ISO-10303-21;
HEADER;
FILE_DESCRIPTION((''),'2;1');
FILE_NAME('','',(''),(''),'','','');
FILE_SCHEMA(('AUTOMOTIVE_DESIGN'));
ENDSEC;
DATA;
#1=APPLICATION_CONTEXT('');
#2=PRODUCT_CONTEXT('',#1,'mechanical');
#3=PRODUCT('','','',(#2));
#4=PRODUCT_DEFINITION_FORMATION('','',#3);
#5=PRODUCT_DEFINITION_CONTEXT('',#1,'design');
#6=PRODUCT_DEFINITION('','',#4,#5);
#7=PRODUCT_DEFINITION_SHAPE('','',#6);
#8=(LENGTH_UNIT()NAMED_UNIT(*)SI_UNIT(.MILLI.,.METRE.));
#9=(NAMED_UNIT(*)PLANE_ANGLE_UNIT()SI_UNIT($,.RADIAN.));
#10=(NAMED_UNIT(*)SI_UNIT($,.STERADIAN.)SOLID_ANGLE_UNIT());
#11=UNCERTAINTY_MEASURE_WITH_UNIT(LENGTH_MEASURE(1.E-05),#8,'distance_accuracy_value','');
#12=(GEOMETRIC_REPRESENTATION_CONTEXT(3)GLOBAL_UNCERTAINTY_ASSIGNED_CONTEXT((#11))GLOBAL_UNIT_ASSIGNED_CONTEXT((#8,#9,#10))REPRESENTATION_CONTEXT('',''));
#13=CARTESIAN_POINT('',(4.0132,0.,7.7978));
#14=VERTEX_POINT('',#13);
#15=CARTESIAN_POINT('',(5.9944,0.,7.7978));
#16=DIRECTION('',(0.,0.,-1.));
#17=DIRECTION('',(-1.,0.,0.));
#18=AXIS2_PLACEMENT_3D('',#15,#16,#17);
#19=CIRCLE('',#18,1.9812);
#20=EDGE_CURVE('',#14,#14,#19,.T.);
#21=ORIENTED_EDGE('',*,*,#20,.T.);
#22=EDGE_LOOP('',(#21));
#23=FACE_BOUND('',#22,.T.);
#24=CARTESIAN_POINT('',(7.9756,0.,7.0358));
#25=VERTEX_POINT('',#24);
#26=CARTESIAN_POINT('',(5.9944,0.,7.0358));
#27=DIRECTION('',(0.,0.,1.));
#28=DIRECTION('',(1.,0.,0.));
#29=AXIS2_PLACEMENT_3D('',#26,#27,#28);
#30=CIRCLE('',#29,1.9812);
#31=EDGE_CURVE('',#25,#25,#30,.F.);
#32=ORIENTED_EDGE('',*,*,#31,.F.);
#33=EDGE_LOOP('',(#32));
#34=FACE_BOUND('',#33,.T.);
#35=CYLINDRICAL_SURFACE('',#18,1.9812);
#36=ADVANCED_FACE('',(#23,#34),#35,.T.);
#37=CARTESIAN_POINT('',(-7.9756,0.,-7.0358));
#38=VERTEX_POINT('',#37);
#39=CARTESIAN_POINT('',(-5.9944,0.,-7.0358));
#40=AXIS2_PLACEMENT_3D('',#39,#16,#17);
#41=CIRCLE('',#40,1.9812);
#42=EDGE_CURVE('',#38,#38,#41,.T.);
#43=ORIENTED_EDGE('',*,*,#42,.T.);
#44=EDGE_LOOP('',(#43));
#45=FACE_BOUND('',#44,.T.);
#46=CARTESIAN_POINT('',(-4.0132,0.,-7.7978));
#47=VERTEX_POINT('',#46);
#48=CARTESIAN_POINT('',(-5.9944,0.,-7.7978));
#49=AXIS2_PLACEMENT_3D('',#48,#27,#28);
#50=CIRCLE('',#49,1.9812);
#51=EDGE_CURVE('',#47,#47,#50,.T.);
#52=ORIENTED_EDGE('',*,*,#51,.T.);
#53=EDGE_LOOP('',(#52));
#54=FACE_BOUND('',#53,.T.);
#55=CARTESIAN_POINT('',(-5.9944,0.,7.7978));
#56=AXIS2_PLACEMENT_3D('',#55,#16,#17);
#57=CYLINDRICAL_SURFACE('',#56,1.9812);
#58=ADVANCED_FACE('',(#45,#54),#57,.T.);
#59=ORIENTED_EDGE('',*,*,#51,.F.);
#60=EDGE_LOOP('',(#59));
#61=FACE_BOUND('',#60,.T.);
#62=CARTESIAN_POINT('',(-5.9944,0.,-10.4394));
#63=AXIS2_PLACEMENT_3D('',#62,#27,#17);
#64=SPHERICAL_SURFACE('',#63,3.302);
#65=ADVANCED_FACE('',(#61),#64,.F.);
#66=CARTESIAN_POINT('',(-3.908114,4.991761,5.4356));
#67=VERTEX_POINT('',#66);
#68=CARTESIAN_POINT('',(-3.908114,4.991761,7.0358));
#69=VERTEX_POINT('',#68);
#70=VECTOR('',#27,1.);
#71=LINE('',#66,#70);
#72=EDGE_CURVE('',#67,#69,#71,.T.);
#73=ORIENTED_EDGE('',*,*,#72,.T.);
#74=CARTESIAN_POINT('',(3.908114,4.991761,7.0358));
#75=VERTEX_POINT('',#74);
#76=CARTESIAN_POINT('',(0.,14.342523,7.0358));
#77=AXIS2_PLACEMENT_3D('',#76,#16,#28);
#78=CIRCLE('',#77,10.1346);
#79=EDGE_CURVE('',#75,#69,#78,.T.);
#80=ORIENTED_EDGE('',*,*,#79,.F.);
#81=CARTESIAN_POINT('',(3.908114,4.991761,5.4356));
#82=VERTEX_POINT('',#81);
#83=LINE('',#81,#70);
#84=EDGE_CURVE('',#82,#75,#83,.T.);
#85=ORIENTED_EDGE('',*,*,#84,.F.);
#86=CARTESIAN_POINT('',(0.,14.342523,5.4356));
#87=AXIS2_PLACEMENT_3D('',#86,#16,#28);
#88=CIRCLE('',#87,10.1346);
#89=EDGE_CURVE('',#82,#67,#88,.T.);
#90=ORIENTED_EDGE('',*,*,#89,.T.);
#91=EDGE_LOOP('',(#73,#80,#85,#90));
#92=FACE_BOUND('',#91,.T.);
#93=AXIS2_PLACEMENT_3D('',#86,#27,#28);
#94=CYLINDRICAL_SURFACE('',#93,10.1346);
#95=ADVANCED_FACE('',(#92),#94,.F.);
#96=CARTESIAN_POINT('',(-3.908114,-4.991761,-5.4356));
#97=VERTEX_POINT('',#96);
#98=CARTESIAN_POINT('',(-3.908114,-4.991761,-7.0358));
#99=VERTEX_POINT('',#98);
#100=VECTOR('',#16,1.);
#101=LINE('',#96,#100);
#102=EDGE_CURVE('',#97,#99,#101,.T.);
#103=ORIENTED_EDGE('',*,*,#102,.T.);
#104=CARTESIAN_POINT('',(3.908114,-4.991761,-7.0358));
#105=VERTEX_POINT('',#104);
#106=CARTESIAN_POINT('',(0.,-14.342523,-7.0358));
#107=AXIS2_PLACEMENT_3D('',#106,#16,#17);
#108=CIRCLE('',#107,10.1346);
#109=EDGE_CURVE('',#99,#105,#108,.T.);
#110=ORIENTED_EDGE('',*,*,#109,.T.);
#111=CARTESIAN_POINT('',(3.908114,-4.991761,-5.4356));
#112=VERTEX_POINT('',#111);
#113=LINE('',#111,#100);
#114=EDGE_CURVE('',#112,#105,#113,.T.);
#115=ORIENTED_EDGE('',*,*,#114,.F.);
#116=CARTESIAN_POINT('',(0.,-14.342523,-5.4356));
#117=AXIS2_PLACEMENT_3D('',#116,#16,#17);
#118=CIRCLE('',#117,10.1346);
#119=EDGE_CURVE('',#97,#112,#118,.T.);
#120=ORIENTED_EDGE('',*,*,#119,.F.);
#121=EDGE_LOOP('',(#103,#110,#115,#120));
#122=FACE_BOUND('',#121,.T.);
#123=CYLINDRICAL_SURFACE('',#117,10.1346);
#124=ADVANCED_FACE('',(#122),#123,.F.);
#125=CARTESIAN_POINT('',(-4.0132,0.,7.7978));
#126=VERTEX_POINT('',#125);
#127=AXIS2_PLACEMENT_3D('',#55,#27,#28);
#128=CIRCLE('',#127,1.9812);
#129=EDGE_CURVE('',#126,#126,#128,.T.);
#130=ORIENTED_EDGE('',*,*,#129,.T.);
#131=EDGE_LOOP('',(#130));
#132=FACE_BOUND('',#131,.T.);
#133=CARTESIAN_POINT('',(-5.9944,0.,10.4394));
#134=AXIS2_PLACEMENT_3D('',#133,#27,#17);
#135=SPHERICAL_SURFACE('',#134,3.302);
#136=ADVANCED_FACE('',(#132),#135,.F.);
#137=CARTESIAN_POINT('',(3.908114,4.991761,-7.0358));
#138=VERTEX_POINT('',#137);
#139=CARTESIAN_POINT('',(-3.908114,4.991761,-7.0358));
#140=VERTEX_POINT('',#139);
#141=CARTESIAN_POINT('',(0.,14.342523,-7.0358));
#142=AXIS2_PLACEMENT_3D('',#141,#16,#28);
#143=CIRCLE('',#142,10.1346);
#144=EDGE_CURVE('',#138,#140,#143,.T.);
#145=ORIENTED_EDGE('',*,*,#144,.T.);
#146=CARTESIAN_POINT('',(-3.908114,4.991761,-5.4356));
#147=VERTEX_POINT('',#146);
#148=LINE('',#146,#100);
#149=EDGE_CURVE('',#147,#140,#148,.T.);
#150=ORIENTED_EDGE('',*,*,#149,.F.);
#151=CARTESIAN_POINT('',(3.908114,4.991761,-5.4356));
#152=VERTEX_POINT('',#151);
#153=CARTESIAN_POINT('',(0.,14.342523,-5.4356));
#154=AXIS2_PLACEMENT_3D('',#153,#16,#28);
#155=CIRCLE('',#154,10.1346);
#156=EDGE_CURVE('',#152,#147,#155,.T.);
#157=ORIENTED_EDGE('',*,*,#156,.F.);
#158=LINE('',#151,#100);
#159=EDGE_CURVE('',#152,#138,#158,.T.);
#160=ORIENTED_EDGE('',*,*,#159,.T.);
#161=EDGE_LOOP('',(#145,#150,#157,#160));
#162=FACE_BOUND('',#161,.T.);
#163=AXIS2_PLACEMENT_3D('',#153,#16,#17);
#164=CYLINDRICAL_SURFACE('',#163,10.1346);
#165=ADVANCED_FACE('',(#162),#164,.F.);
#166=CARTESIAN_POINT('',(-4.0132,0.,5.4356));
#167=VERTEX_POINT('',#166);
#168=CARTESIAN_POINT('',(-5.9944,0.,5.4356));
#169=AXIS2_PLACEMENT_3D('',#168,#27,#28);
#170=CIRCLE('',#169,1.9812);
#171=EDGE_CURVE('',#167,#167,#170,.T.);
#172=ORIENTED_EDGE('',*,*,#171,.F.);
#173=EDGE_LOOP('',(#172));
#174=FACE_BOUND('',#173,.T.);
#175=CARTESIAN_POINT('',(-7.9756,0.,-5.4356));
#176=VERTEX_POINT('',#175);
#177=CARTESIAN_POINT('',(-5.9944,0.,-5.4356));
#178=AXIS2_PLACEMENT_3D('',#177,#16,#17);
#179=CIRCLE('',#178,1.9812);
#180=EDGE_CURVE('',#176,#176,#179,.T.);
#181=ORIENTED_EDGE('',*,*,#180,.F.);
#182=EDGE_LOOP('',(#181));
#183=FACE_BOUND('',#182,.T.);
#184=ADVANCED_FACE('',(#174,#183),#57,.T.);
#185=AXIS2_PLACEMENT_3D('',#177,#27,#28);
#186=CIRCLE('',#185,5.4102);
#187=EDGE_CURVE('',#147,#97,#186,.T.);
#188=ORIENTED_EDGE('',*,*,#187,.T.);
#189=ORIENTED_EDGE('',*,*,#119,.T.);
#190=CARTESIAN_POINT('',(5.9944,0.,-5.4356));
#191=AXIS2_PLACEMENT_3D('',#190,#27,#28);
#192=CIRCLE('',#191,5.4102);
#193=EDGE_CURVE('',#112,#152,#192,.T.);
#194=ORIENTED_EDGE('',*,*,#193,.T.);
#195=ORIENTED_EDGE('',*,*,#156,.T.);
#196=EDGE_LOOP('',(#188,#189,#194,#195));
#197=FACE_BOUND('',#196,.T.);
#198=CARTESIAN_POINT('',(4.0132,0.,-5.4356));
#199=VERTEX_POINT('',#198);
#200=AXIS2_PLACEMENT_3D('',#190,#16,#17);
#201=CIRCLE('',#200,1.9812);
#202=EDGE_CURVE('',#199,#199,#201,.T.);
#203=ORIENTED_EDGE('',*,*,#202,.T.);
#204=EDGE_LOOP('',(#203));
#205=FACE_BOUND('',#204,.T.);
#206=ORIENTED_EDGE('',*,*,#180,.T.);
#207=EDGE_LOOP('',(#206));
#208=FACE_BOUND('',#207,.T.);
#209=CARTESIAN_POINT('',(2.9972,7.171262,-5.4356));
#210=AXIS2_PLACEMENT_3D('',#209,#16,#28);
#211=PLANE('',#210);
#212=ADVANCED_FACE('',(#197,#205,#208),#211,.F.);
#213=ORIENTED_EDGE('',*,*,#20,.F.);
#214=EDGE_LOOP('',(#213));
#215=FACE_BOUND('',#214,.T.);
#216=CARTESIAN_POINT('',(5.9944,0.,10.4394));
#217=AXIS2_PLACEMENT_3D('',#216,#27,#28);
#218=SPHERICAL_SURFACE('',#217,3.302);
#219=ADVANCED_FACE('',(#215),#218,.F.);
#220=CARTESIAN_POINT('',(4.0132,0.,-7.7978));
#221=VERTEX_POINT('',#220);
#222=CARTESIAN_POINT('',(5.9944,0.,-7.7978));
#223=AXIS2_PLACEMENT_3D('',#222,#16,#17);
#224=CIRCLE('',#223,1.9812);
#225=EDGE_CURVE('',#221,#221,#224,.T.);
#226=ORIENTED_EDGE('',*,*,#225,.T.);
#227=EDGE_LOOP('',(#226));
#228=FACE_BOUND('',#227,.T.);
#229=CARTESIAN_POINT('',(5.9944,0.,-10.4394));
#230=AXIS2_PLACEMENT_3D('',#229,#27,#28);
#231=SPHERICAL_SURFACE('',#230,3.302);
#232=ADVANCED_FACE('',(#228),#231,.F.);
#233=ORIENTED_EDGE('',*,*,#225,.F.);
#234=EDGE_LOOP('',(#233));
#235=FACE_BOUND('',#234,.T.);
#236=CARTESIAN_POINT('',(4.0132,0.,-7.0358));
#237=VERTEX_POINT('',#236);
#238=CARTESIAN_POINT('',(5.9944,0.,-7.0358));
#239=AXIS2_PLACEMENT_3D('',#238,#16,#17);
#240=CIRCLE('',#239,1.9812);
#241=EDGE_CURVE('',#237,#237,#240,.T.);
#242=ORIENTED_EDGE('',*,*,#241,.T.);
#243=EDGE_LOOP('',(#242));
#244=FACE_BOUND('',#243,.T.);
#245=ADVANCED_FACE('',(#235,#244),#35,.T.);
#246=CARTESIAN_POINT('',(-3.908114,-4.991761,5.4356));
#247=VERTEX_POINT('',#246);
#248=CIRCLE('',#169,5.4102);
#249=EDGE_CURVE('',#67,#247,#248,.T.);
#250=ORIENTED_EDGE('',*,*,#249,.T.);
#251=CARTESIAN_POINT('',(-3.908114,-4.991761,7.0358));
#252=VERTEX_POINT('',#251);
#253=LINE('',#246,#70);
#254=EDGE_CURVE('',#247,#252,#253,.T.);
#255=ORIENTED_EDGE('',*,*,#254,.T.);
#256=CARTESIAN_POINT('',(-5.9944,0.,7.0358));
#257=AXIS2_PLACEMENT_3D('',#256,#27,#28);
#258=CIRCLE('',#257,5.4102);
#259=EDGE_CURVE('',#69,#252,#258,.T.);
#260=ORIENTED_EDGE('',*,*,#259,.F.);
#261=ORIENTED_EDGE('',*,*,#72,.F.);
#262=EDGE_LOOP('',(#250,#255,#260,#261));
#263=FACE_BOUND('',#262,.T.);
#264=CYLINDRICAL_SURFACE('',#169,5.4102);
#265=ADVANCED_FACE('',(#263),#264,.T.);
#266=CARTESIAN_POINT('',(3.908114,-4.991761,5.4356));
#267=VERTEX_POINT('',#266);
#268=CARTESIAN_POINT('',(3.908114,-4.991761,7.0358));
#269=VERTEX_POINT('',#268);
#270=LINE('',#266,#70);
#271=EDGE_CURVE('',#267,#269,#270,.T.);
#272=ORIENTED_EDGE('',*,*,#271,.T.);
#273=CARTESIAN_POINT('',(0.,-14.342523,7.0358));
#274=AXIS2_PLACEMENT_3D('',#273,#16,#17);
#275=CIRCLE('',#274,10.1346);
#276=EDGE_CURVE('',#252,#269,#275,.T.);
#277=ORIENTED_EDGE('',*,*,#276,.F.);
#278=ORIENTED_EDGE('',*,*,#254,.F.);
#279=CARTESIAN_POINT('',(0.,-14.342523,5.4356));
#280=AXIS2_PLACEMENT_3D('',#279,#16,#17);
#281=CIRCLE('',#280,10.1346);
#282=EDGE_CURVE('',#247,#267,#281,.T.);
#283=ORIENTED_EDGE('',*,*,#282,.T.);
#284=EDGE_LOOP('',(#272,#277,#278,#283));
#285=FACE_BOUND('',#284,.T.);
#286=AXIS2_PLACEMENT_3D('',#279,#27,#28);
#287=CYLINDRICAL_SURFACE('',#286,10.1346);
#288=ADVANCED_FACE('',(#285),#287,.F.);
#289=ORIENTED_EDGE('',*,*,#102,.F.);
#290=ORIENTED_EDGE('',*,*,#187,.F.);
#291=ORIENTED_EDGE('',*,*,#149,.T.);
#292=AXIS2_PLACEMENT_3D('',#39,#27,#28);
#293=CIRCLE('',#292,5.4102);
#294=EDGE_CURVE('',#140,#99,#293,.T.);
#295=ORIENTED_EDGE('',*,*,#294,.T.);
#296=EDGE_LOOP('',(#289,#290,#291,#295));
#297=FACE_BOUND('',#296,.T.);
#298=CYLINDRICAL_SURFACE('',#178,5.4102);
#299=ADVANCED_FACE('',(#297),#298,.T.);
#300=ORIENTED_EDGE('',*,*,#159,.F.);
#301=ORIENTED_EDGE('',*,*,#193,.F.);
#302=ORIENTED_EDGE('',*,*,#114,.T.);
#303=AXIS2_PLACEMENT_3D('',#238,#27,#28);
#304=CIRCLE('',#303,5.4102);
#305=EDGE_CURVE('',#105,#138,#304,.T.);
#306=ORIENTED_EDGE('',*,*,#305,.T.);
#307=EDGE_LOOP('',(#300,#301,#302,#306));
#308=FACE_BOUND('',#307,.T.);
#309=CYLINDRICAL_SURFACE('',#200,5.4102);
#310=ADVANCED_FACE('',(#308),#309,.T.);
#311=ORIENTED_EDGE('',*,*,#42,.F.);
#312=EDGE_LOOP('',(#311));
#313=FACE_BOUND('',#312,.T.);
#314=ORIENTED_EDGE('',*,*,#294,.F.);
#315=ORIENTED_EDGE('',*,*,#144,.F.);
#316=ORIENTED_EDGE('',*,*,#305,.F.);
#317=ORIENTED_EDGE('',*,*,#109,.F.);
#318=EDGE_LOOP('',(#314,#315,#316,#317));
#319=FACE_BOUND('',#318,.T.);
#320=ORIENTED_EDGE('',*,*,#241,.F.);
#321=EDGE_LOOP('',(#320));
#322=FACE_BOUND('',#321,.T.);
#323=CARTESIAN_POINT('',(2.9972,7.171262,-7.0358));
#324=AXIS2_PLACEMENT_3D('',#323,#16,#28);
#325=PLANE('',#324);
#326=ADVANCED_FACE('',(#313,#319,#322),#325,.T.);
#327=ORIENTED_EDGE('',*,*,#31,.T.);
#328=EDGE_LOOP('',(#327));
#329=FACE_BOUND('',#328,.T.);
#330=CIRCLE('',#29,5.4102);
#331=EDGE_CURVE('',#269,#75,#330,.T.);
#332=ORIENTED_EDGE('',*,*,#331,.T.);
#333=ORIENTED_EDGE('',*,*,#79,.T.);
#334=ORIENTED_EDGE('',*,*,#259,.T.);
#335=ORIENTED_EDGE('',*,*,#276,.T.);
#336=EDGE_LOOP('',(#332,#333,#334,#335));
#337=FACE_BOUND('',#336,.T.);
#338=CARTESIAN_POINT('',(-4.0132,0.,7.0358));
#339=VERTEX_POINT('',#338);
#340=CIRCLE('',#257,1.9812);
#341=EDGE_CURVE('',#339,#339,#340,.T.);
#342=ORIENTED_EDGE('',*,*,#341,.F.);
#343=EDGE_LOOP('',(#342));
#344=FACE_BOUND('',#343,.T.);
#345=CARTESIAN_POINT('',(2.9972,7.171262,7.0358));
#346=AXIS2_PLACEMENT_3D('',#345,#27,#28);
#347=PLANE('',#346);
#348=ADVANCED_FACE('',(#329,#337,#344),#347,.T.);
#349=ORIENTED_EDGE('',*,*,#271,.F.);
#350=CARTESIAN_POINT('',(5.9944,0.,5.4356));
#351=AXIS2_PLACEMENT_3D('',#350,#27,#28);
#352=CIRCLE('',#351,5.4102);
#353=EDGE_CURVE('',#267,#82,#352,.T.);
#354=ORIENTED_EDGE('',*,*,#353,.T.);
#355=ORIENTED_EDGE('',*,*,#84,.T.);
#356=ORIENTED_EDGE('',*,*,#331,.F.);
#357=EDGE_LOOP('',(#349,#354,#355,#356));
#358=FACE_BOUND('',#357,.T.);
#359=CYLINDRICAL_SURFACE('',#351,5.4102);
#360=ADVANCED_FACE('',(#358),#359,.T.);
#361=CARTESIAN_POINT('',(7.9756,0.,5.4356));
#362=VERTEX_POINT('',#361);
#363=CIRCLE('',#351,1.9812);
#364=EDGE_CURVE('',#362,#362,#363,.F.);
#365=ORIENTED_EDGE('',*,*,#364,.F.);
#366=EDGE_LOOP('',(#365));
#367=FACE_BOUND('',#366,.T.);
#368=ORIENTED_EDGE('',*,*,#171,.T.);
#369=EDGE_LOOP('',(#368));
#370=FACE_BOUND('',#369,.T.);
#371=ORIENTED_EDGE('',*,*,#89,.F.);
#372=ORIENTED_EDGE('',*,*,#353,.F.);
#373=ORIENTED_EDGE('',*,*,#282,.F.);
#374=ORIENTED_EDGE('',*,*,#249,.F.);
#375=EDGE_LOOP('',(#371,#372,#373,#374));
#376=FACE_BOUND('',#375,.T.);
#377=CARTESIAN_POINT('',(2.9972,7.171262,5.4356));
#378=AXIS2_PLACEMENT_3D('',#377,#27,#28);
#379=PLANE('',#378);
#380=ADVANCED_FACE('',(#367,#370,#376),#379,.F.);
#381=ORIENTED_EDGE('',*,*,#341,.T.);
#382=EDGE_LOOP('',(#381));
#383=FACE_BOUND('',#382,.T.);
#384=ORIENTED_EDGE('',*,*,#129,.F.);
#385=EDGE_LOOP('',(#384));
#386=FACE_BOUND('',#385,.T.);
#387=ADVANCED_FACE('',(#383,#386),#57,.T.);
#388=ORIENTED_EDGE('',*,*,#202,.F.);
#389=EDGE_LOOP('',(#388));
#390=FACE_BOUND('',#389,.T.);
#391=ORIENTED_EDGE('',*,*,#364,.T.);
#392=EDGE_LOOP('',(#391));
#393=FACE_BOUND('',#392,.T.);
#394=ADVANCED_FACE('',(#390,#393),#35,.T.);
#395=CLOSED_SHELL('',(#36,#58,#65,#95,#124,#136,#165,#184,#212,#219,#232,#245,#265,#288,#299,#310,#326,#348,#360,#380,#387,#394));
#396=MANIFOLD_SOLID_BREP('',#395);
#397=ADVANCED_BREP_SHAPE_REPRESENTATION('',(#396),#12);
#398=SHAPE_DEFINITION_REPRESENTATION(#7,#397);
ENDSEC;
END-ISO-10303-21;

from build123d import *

# Parameters (mm, degrees)
SKETCH3_R             = 1.9812
BOSS_EXTRUDE1_DEPTH   = 7.7978
BOSS_EXTRUDE1_2_DEPTH = 7.7978
BOSS_EXTRUDE2_DEPTH   = 1.6002


with BuildPart() as part:
    # Sketch3 → Boss-Extrude1 (new body, symmetric)
    with BuildSketch(Plane.XY):
        with Locations((-5.9944, 0)):
            Circle(SKETCH3_R)
    extrude(amount=BOSS_EXTRUDE1_DEPTH, both=True)



with BuildPart() as body_2:
    # Sketch3 → Boss-Extrude1 2 (new body, symmetric)
    with BuildSketch(Plane.XY):
        with Locations((5.9944, 0)):
            Circle(SKETCH3_R)
    extrude(amount=BOSS_EXTRUDE1_2_DEPTH, both=True)


with BuildPart() as part_1:
    add(part.part)

    add(body_2.part)  # Boss-Extrude2 merges body 2
    # Sketch4 → Boss-Extrude2 (add)
    with BuildSketch(Plane.XY.offset(7.0358)):
        with BuildLine():
            ThreePointArc((-3.908114, 4.991761), (-11.4046, 0), (-3.908114, -4.991761))
            ThreePointArc((-3.908114, -4.991761), (0, -4.207923), (3.908114, -4.991761))
            ThreePointArc((3.908114, -4.991761), (11.4046, 0), (3.908114, 4.991761))
            ThreePointArc((3.908114, 4.991761), (0, 4.207923), (-3.908114, 4.991761))
        make_face()
    boss_extrude2 = extrude(amount=-BOSS_EXTRUDE2_DEPTH)

    # Mirror1: Boss-Extrude2 across plane
    add(boss_extrude2.mirror(Plane.XY))

    # Sketch5 → Cut-Revolve1 (revolve, cut)
    with BuildSketch(Plane(origin=(0, 0, 0), x_dir=(1, 0, 0), z_dir=(0, 1, 0))):
        with BuildLine():
            Line((-5.9944, 7.7978), (-5.9944, 7.1374))
            ThreePointArc((-5.9944, 7.1374), (-4.950216, 7.306848), (-4.0132, 7.7978))
            Line((-4.0132, 7.7978), (-5.9944, 7.7978))
        make_face()
        with BuildLine():
            Line((-5.9944, -7.1374), (-5.9944, -7.7978))
            Line((-5.9944, -7.7978), (-4.0132, -7.7978))
            ThreePointArc((-4.0132, -7.7978), (-4.950216, -7.306848), (-5.9944, -7.1374))
        make_face()
    cut_revolve1 = revolve(axis=Axis((-5.9944, 0, 7.7978), (0, 0, -1)), mode=Mode.SUBTRACT)

    # Mirror2: Cut-Revolve1 across plane
    add(cut_revolve1.mirror(Plane(origin=(0, 0, 0), x_dir=(0, 0, 1), z_dir=(1, 0, 0))), mode=Mode.SUBTRACT)


solid = part_1.part
